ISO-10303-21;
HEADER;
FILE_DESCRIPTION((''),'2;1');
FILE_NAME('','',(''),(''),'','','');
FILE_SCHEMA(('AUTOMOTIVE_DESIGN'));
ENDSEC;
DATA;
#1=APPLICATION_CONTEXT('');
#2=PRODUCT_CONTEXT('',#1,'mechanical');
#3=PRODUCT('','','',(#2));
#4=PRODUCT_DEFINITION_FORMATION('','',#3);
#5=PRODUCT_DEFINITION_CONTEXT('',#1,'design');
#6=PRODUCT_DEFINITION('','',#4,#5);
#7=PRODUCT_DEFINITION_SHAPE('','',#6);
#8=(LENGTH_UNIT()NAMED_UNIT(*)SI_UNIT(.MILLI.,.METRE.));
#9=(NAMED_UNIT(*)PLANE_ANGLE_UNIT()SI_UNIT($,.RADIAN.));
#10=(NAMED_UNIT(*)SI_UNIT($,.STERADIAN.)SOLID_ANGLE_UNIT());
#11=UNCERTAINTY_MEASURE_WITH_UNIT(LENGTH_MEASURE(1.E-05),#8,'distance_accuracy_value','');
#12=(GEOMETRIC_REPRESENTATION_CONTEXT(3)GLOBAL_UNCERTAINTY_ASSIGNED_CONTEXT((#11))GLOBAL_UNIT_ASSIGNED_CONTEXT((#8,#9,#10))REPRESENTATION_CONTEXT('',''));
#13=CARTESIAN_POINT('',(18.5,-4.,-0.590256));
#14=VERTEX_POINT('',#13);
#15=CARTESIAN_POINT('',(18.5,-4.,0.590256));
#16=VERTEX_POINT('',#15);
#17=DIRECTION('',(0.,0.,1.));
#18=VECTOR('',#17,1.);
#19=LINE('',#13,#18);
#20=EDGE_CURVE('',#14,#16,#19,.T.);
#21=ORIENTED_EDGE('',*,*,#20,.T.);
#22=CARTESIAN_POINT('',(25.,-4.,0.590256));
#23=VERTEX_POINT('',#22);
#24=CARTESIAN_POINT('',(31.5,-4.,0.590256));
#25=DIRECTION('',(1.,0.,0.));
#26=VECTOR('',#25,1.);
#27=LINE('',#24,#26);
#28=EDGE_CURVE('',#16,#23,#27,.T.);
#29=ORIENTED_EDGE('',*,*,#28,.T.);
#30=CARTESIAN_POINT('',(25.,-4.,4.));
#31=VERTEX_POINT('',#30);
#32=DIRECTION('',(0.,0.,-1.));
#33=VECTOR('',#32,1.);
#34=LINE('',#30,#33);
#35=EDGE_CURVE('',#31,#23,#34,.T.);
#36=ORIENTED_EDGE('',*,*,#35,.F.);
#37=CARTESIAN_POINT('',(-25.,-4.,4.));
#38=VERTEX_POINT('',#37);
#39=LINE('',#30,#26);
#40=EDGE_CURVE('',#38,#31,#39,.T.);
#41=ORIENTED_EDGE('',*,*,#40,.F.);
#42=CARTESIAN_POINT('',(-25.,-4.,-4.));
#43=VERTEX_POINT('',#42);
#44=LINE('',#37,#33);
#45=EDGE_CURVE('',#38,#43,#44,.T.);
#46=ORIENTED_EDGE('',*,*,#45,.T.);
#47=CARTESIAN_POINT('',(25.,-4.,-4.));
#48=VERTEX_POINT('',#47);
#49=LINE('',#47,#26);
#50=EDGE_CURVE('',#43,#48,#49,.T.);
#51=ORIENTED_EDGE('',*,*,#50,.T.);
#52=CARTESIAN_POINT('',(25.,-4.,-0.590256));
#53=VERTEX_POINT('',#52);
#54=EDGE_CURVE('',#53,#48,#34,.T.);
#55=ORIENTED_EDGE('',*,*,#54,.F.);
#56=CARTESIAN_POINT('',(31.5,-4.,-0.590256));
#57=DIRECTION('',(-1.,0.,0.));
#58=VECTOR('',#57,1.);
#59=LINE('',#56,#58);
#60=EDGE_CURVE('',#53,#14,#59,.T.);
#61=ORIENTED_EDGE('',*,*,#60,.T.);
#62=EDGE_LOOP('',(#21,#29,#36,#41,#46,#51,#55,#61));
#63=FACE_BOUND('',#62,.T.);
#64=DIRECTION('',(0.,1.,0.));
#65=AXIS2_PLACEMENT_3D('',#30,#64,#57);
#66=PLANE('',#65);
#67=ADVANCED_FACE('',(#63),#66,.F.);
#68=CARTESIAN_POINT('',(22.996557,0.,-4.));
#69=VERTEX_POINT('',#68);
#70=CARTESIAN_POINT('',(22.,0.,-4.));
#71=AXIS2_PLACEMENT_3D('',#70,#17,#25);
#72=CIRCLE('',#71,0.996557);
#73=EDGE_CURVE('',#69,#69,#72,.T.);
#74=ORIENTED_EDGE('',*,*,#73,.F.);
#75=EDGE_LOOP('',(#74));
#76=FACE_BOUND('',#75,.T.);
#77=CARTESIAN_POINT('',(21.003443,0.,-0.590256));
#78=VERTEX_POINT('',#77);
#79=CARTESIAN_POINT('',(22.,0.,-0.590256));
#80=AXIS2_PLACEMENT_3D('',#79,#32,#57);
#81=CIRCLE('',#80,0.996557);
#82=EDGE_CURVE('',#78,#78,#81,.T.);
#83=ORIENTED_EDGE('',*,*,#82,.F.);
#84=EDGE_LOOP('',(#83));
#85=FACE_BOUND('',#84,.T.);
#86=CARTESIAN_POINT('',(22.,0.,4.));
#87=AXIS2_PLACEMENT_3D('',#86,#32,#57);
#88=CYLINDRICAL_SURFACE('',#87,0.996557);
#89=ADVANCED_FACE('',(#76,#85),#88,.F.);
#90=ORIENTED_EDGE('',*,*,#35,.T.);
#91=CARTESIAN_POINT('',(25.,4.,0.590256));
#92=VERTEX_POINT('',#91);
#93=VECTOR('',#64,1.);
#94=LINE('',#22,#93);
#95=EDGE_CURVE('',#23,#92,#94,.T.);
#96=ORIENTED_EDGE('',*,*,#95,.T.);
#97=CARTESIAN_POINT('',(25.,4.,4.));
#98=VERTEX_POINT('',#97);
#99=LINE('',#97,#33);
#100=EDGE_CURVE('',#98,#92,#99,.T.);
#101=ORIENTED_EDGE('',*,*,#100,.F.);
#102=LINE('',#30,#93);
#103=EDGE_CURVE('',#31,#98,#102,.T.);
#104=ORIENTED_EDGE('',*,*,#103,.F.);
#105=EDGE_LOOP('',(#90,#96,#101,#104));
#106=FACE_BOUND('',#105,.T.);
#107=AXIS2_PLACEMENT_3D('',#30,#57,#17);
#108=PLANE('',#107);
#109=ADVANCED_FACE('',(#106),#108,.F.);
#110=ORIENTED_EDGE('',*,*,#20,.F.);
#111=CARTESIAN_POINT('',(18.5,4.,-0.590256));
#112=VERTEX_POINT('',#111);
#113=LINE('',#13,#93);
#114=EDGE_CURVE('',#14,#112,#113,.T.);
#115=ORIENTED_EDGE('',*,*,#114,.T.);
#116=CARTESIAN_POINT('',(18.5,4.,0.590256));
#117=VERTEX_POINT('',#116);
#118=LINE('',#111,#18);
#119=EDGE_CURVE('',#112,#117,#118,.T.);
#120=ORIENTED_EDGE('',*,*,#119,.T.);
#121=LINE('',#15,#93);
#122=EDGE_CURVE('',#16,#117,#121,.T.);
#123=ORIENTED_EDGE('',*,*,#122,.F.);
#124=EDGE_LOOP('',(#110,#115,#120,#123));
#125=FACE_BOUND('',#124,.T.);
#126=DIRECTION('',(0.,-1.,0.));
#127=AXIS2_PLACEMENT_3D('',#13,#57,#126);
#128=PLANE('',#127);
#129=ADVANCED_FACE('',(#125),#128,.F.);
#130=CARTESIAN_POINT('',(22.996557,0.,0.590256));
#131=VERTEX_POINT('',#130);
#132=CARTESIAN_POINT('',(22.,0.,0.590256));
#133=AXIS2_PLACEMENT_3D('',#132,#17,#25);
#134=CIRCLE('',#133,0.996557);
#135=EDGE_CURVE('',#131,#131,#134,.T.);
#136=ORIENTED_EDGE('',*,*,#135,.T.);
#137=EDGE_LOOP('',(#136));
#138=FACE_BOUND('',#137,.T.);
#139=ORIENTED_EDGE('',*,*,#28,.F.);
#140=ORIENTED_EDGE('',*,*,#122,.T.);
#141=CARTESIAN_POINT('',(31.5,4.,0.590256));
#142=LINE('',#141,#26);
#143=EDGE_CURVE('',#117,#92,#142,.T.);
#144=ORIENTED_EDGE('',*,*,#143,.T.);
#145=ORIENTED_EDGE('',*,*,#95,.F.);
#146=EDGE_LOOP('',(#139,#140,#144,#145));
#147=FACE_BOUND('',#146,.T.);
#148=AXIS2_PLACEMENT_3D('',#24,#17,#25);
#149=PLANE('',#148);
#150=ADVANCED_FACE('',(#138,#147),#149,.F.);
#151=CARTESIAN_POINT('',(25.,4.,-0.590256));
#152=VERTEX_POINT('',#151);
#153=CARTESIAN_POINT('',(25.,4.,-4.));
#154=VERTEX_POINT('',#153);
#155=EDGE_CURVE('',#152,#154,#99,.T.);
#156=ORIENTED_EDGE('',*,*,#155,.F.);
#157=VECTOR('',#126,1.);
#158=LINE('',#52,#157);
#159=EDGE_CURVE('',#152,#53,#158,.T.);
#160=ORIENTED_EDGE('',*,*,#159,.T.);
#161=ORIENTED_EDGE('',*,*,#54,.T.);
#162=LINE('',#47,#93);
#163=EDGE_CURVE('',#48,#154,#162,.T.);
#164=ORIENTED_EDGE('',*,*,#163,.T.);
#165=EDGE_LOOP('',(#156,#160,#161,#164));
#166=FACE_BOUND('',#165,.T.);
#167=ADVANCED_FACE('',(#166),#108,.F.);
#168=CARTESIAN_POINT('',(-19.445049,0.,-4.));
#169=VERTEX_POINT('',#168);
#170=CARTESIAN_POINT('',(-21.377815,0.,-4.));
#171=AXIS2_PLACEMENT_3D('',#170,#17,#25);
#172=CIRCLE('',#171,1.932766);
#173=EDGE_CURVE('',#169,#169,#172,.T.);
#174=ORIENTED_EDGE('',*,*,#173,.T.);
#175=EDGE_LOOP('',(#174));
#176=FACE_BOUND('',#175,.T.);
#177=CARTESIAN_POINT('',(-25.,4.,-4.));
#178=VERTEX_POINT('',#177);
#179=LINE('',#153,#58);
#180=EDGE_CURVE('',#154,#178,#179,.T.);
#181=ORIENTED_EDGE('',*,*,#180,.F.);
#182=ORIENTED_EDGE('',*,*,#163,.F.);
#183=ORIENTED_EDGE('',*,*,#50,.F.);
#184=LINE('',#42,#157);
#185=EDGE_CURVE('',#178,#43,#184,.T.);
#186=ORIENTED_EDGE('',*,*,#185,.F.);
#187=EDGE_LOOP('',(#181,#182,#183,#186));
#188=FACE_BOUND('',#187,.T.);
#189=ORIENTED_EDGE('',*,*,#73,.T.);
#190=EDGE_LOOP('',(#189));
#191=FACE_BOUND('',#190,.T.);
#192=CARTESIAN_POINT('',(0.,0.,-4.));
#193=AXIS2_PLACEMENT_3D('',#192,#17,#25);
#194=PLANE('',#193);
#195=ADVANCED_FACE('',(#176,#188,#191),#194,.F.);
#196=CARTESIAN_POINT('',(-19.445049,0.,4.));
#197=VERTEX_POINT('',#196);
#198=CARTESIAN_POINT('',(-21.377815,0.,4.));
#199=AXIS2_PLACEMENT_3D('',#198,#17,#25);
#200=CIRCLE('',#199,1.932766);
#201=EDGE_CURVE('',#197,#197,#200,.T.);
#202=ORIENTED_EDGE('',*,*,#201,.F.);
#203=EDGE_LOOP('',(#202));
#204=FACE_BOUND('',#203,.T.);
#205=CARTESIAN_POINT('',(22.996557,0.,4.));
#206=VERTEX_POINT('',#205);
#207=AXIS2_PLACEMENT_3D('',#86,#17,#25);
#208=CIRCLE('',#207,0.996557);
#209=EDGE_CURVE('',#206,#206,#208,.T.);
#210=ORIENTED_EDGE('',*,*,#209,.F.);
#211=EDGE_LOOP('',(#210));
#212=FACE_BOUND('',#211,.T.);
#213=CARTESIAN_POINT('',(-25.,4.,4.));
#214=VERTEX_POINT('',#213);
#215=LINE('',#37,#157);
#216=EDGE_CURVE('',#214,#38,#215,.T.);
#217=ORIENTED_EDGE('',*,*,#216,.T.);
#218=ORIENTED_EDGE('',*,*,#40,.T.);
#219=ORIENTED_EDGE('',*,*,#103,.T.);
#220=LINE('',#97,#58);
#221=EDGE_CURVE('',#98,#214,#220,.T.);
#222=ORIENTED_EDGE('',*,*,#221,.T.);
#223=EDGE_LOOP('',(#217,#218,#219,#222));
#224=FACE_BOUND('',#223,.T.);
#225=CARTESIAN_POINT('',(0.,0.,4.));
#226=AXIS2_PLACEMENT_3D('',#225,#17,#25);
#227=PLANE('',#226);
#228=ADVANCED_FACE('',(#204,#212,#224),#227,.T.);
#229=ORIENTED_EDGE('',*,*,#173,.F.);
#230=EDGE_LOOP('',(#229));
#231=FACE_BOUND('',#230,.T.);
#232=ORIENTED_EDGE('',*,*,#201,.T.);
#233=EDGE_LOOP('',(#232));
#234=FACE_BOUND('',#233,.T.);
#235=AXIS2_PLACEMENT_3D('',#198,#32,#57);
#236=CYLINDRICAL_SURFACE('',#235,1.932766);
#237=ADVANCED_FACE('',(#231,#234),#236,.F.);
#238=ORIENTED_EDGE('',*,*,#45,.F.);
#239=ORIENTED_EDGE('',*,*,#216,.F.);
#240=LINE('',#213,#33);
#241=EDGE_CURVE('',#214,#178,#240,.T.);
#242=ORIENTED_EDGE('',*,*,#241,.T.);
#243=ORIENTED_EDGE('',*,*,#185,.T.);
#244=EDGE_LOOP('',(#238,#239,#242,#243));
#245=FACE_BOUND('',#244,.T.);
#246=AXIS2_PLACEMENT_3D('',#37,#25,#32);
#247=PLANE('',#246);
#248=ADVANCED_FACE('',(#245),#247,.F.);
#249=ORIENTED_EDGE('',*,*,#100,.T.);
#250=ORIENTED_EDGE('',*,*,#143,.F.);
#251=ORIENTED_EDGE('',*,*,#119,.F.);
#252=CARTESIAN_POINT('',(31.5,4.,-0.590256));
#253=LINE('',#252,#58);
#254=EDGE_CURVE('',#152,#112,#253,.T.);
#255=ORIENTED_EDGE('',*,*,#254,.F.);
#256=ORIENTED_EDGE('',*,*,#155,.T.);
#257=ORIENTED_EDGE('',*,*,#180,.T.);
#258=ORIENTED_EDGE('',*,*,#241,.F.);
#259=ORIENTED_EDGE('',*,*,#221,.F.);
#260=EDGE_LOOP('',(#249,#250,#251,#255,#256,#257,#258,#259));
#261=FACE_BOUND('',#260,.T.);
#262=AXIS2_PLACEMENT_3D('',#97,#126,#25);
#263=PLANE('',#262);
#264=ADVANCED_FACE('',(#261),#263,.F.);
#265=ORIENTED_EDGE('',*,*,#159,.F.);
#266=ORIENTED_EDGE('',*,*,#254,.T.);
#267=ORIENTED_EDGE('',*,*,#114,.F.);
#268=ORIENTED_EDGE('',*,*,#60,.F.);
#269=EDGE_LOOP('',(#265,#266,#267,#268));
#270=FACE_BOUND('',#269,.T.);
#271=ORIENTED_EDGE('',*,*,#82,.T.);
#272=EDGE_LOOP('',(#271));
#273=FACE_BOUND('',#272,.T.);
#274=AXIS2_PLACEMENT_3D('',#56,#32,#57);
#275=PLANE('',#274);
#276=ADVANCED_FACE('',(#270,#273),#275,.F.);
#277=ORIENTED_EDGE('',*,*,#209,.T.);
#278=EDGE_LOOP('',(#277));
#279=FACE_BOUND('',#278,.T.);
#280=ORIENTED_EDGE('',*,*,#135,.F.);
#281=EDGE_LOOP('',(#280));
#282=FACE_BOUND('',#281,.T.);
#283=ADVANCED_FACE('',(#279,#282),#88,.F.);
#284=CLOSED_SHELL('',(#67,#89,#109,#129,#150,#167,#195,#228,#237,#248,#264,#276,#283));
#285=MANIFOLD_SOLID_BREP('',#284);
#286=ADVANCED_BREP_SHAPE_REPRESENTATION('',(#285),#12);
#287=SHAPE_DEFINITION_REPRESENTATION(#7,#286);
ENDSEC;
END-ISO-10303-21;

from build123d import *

# Parameters (mm, degrees)
CROQUIS1_W              = 50
CROQUIS1_H              = 8
CROQUIS1_R              = 1.932766006
CROQUIS1_R_2            = 0.996557478
SALIENTE_EXTRUIR1_DEPTH = 4
CROQUIS2_W              = 13
CROQUIS2_H              = 1.180512064
CORTAR_EXTRUIR1_DEPTH   = 27.551836095


with BuildPart() as part:
    # Croquis1 → Saliente-Extruir1 (new, symmetric)
    with BuildSketch(Plane.XY):
        Rectangle(CROQUIS1_W, CROQUIS1_H)
        with Locations((-21.377815108, 0)):
            Circle(CROQUIS1_R, mode=Mode.SUBTRACT)
        with Locations((22, 0)):
            Circle(CROQUIS1_R_2, mode=Mode.SUBTRACT)
    extrude(amount=SALIENTE_EXTRUIR1_DEPTH, both=True)

    # Croquis2 → Cortar-Extruir1 (cut, through all)
    with BuildSketch(Plane(origin=(0, 4, 0), x_dir=(1, 0, 0), z_dir=(0, 1, 0))):
        with Locations((25, 0)):
            Rectangle(CROQUIS2_W, CROQUIS2_H)
    extrude(amount=-CORTAR_EXTRUIR1_DEPTH, mode=Mode.SUBTRACT)


solid = part.part
